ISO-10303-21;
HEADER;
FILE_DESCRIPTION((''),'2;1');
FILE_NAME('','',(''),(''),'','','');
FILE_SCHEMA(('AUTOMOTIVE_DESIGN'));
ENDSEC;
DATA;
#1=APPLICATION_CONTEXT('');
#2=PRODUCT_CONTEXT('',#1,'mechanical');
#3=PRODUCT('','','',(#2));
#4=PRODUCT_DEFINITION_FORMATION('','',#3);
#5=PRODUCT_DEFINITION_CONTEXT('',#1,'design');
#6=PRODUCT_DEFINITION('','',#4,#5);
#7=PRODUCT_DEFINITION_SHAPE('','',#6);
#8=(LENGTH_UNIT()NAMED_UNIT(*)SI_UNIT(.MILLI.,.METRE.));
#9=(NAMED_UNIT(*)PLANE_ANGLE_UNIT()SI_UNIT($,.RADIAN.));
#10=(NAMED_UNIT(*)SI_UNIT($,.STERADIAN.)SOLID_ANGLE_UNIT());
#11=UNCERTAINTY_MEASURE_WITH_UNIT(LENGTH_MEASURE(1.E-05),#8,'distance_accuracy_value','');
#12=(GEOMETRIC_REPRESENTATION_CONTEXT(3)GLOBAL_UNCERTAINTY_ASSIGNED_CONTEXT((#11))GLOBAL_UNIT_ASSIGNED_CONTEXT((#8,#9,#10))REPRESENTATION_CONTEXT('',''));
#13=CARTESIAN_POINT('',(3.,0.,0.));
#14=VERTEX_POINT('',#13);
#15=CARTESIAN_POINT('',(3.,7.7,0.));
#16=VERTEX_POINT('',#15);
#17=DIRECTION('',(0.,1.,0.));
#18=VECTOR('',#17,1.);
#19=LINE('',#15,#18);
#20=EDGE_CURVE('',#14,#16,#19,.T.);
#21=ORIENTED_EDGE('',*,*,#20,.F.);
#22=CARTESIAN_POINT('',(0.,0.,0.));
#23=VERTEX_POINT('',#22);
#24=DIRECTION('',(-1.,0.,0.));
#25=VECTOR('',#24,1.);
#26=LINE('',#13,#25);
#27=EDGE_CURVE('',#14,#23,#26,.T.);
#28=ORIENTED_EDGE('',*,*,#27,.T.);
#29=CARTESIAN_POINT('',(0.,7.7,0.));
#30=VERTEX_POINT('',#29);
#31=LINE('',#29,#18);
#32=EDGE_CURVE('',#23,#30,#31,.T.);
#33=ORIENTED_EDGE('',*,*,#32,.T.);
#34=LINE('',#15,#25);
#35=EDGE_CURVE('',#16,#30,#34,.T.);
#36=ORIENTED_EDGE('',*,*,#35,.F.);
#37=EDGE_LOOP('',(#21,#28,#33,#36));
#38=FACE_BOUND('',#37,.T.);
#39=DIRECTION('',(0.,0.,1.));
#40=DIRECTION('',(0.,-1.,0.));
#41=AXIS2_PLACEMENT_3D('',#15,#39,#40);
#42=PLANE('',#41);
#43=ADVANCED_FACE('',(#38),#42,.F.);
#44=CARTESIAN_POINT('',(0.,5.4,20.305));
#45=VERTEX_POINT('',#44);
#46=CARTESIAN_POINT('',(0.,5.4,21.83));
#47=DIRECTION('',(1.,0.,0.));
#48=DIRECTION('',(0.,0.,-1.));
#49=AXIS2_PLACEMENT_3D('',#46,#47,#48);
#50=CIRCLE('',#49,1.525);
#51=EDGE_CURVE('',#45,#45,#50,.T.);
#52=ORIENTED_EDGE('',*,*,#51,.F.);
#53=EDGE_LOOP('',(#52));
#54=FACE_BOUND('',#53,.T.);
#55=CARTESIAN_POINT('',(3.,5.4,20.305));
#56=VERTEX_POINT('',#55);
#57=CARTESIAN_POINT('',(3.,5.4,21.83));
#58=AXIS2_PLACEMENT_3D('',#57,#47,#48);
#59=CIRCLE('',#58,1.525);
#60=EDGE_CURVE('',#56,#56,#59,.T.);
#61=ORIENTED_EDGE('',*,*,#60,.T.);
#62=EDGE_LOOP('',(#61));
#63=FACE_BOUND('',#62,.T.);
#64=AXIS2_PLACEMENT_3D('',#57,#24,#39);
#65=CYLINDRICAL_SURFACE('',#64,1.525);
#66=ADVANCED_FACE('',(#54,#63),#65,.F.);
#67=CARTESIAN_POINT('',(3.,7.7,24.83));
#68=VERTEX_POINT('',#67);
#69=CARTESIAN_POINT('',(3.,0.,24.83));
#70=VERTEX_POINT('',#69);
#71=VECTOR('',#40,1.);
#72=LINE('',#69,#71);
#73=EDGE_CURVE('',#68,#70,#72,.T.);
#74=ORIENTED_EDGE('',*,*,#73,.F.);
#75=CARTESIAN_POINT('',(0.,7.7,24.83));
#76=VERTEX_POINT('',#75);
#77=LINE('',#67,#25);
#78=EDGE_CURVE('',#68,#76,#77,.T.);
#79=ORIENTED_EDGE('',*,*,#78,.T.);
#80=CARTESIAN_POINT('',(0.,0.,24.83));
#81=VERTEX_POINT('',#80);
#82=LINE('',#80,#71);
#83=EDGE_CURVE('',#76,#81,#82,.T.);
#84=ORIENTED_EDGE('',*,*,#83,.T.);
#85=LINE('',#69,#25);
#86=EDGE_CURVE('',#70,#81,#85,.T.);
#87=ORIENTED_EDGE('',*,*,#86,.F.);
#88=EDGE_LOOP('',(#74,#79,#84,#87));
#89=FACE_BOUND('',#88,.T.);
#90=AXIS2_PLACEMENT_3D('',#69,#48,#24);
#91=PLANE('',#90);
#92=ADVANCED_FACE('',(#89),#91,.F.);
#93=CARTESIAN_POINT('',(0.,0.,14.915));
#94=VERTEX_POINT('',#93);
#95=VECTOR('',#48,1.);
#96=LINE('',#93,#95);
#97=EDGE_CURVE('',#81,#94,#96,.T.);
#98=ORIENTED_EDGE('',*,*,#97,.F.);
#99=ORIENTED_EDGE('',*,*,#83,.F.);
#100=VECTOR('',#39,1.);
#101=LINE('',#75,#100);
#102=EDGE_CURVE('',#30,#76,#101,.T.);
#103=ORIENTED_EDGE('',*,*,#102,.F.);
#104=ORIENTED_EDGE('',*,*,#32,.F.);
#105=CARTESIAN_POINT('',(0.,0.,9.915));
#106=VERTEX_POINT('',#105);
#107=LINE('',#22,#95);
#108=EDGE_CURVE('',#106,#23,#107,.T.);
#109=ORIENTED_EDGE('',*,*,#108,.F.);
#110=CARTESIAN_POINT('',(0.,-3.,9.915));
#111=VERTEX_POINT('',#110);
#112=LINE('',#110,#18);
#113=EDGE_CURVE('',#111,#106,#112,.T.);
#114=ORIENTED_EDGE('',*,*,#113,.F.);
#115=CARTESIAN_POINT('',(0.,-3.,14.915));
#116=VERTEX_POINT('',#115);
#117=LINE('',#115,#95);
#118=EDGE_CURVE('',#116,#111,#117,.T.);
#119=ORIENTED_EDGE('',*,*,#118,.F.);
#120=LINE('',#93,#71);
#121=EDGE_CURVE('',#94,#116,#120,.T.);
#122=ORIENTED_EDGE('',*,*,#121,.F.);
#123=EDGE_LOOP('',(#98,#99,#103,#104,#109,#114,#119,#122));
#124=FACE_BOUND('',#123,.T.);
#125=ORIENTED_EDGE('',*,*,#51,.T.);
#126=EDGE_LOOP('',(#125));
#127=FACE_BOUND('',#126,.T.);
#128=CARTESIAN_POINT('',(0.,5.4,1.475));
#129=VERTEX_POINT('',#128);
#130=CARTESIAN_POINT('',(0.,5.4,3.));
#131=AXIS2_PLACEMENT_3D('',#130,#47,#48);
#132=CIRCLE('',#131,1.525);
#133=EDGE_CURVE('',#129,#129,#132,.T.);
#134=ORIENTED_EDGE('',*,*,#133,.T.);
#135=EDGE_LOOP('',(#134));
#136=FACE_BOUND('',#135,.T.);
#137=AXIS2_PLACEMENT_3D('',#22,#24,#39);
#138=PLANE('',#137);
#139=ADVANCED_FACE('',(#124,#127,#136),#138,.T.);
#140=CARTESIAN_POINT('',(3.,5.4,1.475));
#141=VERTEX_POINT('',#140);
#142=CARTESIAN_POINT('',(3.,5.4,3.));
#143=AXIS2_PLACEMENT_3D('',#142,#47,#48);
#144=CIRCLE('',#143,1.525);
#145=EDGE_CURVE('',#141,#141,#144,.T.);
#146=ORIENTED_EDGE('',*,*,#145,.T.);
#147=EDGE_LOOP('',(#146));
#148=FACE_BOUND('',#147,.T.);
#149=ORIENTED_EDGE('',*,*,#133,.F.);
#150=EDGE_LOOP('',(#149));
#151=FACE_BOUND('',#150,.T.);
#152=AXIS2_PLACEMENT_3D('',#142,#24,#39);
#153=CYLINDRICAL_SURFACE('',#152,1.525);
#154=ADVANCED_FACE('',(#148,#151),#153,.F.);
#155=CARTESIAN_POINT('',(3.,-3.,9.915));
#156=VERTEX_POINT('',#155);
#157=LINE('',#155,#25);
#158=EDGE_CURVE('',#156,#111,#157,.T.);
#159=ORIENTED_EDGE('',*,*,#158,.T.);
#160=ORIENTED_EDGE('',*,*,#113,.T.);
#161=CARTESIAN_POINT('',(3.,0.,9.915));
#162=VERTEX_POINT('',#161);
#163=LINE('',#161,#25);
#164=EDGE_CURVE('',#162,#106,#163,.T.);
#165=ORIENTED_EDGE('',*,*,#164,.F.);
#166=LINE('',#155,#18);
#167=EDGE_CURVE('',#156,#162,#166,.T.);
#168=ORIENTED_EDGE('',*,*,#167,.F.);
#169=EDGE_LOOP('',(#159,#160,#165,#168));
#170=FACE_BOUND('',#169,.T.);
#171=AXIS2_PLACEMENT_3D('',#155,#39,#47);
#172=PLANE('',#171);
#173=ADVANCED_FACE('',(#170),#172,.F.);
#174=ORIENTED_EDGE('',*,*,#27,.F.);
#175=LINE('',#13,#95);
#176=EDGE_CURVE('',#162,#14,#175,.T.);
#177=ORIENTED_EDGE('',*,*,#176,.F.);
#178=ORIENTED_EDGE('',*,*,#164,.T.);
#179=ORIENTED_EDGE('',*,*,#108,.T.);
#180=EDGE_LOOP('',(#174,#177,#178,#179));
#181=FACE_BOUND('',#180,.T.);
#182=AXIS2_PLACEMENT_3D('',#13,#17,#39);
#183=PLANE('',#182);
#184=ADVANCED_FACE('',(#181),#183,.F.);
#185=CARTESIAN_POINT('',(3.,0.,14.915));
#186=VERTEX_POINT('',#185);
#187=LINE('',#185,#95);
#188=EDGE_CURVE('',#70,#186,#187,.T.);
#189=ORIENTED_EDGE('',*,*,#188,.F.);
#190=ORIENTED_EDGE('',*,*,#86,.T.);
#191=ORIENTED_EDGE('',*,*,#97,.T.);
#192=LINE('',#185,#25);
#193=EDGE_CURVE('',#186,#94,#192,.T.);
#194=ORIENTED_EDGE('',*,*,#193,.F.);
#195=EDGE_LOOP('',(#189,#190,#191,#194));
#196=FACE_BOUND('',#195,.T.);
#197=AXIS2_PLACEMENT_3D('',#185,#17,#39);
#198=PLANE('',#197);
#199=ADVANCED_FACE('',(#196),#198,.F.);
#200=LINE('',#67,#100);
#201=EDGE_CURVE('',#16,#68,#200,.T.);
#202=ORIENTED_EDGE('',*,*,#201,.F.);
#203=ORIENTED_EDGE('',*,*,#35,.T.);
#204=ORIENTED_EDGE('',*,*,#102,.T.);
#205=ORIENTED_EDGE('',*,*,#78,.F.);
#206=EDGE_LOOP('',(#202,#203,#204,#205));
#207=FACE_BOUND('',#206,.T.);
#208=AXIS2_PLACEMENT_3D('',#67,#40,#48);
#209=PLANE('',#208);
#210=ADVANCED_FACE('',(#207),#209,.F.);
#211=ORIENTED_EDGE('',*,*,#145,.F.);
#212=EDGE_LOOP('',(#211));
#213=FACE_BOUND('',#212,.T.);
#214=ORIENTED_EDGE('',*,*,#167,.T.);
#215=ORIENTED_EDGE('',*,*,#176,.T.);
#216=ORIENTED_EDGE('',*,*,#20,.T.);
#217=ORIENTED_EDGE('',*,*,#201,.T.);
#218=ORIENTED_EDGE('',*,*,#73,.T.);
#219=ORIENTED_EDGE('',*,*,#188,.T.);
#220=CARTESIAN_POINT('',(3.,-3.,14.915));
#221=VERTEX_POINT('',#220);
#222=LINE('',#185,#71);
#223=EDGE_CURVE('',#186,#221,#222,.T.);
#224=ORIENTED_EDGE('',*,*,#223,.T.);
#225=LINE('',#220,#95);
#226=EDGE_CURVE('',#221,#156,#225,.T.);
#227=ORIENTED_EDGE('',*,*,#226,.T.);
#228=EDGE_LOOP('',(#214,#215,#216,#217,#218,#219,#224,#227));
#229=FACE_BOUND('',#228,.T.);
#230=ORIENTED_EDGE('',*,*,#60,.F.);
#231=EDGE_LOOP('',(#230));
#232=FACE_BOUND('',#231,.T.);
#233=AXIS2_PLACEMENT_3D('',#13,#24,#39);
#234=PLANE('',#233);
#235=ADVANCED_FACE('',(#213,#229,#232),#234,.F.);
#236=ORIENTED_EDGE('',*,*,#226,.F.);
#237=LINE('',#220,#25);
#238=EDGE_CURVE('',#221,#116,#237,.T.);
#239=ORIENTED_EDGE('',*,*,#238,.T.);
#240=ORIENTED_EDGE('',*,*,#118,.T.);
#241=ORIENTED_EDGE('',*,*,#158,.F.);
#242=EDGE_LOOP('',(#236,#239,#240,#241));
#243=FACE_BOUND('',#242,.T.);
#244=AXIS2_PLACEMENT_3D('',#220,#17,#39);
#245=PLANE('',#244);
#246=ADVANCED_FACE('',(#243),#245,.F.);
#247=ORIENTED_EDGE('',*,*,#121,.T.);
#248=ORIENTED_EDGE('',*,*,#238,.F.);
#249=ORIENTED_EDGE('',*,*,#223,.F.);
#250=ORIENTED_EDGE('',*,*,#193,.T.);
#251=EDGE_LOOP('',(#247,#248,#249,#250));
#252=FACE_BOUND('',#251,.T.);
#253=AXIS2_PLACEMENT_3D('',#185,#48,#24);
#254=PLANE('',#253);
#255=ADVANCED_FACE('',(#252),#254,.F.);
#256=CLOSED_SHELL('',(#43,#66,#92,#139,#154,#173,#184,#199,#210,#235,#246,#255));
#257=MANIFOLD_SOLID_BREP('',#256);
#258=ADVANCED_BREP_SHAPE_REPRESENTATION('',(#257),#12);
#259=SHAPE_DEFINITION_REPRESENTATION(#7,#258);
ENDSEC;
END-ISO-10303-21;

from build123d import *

# Parameters (mm, degrees)
SKETCH1_R           = 1.525
BOSS_EXTRUDE1_DEPTH = 3


with BuildPart() as part:
    # Sketch1 → Boss-Extrude1 (new body)
    with BuildSketch(Plane(origin=(0, 0, 0), x_dir=(0, 0, -1), z_dir=(1, 0, 0))):
        Polygon((0, 0), (-9.915, 0), (-9.915, -3), (-14.915, -3), (-14.915, 0), (-24.83, 0), (-24.83, 7.7), (0, 7.7), align=None)
        with Locations((-21.83, 5.4)):
            Circle(SKETCH1_R, mode=Mode.SUBTRACT)
        with Locations((-3, 5.4)):
            Circle(SKETCH1_R, mode=Mode.SUBTRACT)
    extrude(amount=BOSS_EXTRUDE1_DEPTH)


solid = part.part
